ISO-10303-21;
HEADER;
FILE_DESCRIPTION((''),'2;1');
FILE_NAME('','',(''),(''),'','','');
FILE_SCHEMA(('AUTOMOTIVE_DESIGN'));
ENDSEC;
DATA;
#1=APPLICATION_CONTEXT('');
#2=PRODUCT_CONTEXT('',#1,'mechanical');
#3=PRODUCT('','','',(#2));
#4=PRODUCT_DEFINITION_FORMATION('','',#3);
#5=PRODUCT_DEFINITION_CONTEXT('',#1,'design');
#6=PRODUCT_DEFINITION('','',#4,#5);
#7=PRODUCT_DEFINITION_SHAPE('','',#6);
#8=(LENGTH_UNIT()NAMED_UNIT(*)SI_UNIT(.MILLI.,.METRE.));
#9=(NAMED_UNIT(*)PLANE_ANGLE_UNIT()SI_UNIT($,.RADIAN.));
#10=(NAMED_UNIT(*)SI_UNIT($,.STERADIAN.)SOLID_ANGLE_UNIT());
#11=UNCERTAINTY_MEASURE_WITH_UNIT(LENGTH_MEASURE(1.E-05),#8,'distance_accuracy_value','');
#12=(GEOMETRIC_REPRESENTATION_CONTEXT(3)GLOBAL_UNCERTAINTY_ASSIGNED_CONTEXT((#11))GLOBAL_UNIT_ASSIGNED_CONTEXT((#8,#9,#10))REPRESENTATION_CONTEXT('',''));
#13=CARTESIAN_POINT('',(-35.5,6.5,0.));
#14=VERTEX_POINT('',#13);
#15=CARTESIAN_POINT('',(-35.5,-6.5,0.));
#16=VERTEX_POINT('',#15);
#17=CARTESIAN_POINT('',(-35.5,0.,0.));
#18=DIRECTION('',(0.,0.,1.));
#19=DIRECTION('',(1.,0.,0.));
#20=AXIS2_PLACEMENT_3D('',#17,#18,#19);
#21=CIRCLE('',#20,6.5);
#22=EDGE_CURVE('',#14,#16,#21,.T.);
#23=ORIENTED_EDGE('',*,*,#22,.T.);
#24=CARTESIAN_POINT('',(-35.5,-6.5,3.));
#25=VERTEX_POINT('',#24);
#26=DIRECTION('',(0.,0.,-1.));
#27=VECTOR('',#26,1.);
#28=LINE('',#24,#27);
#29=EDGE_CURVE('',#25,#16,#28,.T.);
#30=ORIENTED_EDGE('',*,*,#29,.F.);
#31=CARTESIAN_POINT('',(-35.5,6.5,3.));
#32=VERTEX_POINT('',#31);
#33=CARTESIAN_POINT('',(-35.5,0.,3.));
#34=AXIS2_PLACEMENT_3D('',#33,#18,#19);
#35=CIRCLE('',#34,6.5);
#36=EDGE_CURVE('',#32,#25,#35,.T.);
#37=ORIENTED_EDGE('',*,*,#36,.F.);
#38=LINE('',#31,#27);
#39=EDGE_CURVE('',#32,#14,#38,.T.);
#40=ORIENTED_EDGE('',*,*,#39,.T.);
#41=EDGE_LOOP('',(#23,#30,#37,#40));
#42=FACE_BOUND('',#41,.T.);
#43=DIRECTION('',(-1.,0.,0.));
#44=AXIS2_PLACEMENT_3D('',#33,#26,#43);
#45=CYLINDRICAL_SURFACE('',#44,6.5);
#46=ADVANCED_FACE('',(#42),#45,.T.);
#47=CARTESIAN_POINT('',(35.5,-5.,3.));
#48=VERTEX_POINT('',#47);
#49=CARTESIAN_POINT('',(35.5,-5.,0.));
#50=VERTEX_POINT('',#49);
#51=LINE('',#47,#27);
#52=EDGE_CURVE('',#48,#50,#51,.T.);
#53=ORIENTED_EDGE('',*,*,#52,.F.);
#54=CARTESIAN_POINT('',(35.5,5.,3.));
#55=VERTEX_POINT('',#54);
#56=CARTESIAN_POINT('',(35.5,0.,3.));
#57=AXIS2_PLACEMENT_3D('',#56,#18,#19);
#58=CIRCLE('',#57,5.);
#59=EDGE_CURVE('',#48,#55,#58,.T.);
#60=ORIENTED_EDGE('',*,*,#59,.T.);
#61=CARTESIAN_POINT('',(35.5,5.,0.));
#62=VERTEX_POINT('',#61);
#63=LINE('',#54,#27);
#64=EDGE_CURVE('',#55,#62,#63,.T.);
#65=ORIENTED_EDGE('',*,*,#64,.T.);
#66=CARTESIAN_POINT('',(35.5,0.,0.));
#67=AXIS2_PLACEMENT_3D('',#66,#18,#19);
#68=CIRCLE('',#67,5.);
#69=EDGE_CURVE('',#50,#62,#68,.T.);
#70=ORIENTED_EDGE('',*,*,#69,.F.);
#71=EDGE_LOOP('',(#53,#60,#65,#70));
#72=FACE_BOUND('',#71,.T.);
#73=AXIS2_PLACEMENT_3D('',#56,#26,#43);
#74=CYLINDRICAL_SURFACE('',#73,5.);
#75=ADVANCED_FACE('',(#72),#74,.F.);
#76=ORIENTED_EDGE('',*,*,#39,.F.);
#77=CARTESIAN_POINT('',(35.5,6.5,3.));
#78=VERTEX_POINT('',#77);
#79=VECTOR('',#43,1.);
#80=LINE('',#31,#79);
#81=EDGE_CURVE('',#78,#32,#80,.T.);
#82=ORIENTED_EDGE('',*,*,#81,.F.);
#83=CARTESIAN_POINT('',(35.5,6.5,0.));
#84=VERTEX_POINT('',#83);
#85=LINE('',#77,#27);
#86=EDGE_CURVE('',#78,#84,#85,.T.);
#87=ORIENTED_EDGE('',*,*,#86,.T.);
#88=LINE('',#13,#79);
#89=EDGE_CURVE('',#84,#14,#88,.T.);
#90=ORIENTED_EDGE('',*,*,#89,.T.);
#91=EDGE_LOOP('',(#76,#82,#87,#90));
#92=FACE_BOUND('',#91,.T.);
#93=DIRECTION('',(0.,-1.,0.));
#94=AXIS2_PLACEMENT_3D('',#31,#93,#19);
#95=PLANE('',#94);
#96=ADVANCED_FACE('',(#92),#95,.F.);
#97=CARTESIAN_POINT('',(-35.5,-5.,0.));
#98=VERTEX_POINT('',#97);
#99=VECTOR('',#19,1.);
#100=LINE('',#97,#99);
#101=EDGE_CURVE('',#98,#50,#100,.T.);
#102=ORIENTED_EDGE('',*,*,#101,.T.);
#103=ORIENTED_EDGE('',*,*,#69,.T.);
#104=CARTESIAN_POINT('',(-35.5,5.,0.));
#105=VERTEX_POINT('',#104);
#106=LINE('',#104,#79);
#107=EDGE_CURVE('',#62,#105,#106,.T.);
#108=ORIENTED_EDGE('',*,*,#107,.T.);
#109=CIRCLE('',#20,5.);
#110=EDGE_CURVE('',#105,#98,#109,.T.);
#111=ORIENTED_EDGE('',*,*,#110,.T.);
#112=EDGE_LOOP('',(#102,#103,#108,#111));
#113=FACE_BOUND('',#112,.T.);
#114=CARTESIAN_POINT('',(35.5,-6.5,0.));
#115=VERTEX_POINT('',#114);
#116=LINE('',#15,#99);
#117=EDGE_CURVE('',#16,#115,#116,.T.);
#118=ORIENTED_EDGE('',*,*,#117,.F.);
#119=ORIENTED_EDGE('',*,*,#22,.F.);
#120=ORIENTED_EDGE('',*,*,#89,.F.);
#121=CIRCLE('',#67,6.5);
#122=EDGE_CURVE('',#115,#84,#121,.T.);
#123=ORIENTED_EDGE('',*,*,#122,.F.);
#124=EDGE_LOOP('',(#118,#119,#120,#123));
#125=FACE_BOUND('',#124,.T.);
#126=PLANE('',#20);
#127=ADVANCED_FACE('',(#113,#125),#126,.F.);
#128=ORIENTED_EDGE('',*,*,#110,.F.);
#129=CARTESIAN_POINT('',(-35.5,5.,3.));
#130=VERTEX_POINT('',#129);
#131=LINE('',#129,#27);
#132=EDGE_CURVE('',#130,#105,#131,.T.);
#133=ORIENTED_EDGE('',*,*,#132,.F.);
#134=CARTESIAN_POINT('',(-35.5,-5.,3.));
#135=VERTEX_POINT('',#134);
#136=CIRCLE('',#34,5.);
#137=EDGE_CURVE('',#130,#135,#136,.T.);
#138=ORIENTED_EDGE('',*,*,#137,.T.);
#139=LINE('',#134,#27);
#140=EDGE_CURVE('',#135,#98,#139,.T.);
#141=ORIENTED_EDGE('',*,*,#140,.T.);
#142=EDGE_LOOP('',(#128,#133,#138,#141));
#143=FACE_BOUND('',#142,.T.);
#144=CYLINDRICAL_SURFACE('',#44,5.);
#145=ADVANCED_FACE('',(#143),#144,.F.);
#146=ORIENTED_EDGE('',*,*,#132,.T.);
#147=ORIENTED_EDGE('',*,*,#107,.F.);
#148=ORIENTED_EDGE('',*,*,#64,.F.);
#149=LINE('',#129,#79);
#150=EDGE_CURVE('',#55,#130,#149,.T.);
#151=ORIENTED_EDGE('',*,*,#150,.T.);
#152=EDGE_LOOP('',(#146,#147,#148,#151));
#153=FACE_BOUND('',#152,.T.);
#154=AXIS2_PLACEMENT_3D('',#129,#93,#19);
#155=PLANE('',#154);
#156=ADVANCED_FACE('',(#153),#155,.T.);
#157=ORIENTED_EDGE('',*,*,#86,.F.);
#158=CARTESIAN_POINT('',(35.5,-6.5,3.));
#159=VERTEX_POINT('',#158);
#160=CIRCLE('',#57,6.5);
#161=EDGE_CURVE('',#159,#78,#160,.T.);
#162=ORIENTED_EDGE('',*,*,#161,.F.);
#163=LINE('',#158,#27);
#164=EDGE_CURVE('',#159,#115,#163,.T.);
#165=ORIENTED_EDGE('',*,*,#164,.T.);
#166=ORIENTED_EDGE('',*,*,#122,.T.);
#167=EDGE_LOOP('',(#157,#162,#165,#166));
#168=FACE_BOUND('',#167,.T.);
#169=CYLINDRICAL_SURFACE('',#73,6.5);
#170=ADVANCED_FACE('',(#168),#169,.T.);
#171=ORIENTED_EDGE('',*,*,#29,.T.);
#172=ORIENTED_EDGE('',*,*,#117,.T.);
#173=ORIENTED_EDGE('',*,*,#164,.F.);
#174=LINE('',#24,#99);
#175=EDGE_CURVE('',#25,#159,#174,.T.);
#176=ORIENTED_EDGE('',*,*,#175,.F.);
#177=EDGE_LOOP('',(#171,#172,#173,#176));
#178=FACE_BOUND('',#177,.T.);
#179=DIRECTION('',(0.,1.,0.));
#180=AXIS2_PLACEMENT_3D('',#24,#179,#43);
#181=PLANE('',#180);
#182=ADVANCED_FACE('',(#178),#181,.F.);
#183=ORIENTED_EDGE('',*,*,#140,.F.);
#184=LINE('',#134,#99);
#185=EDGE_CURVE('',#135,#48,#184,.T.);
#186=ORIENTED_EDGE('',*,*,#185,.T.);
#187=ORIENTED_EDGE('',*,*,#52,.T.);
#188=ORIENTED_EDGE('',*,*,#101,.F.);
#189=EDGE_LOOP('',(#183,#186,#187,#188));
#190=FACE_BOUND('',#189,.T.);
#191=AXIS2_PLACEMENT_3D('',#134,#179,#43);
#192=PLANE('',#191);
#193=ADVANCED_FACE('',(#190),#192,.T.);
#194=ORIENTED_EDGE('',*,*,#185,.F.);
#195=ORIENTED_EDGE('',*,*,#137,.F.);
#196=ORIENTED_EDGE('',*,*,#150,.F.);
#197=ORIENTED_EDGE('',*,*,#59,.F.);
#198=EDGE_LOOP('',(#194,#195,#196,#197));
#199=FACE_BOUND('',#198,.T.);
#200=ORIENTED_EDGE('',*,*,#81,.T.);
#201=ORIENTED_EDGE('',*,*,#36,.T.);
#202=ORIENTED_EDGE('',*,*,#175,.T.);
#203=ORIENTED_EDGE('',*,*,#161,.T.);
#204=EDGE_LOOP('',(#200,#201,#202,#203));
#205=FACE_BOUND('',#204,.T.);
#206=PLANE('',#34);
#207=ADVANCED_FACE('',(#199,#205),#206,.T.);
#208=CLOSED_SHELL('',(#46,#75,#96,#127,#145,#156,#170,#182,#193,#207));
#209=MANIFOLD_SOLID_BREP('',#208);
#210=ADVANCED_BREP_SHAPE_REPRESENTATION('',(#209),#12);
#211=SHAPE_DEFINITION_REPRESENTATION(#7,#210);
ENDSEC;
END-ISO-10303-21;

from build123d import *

# Parameters (mm, degrees)
BOSS_EXTRUDE1_DEPTH = 3


with BuildPart() as part:
    # Sketch1 → Boss-Extrude1 (new body)
    with BuildSketch(Plane.XY):
        with BuildLine():
            Line((-35.5, 6.5), (35.5, 6.5))
            ThreePointArc((35.5, 6.5), (42, 0), (35.5, -6.5))
            Line((35.5, -6.5), (-35.5, -6.5))
            ThreePointArc((-35.5, -6.5), (-42, 0), (-35.5, 6.5))
        make_face()
        with BuildLine():
            Line((-35.5, 5), (35.5, 5))
            ThreePointArc((35.5, 5), (40.5, 0), (35.5, -5))
            Line((35.5, -5), (-35.5, -5))
            ThreePointArc((-35.5, -5), (-40.5, 0), (-35.5, 5))
        make_face(mode=Mode.SUBTRACT)
    extrude(amount=BOSS_EXTRUDE1_DEPTH)


solid = part.part
